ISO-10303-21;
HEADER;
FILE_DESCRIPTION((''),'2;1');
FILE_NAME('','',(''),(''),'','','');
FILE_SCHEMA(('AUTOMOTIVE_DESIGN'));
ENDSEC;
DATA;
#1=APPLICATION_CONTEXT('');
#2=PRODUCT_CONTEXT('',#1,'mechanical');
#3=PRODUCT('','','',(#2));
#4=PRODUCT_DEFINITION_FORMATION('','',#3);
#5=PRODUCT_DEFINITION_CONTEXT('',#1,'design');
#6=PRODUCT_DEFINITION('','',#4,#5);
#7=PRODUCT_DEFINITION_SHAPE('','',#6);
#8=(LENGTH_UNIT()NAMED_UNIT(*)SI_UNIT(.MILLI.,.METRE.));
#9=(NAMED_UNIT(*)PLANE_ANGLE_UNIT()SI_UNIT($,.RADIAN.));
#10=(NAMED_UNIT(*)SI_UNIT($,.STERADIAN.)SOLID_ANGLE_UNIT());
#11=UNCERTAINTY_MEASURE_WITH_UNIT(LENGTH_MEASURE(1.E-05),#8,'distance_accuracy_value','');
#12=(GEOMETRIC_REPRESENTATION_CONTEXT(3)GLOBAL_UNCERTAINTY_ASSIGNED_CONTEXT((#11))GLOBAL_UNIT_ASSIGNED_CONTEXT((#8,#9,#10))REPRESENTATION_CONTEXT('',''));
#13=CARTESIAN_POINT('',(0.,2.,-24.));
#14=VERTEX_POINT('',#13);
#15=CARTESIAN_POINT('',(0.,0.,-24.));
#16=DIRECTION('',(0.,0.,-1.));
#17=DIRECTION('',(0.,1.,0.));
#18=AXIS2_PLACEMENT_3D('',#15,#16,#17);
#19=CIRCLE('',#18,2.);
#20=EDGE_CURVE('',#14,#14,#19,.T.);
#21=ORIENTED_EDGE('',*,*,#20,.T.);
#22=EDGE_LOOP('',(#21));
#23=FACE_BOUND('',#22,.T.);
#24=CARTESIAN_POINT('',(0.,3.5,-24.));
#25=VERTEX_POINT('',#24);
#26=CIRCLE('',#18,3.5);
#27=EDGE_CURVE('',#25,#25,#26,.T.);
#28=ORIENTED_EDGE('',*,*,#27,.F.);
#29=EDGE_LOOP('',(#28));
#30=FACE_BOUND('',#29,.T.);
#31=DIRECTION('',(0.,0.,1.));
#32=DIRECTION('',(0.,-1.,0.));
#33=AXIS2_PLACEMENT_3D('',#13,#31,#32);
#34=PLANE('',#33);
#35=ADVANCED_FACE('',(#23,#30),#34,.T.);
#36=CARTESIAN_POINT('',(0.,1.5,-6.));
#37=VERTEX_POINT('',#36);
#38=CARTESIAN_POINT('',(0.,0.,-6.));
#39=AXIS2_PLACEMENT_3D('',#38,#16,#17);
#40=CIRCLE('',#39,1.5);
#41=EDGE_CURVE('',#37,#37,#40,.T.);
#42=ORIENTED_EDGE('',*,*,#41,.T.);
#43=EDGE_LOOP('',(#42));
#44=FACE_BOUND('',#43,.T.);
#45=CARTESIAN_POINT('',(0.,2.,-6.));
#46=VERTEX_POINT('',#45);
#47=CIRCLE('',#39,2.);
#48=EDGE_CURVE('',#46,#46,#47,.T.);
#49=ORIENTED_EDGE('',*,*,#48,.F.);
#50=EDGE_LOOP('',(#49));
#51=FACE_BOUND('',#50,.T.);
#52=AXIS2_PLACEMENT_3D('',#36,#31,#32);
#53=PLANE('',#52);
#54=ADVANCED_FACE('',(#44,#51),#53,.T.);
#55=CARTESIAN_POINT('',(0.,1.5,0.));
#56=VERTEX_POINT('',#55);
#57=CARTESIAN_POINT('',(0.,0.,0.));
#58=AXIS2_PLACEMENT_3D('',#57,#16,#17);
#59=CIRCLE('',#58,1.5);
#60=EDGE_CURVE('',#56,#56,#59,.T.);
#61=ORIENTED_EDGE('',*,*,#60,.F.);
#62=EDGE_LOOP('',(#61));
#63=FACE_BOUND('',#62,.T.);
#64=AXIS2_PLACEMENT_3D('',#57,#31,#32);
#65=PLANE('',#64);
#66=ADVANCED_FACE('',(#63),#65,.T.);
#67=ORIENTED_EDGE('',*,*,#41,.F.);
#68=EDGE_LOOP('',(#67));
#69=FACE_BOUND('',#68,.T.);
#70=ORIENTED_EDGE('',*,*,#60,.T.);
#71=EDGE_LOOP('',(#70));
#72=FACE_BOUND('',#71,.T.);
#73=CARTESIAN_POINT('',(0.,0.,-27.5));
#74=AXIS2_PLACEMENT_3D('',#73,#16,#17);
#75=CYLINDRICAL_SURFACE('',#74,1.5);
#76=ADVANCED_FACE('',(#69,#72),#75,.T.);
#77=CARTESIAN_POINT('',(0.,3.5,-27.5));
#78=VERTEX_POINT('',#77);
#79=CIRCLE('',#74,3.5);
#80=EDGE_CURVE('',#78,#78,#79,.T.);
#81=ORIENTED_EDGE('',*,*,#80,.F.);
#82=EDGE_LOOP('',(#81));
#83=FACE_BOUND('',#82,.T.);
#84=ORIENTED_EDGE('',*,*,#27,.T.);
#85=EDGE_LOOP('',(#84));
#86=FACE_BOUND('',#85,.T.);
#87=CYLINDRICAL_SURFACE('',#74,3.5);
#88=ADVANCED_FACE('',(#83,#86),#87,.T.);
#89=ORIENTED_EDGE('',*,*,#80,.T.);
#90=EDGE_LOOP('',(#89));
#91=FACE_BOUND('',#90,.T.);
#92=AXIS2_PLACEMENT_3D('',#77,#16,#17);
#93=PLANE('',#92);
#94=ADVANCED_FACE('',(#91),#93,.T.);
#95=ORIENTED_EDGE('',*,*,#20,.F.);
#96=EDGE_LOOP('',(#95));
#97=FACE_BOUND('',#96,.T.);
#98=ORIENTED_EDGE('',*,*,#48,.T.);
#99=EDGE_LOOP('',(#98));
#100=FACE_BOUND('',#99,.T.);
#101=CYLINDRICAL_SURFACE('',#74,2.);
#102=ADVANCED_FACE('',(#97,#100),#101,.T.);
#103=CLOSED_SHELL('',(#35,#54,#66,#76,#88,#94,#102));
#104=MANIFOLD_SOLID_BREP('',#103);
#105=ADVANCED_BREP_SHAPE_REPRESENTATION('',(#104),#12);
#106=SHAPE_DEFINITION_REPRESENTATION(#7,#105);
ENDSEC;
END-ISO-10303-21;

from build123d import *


with BuildPart() as part:
    # 草图1 → 旋转2 (revolve)
    with BuildSketch(Plane(origin=(0, 0, 0), x_dir=(0, 0, -1), z_dir=(1, 0, 0))):
        Polygon((0, 0), (0, 1.5), (6, 1.5), (6, 2), (24, 2), (24, 3.5), (27.5, 3.5), (27.5, 0), align=None)
    revolve(axis=Axis((0, 0, -27.5), (0, 0, 1)))


solid = part.part
